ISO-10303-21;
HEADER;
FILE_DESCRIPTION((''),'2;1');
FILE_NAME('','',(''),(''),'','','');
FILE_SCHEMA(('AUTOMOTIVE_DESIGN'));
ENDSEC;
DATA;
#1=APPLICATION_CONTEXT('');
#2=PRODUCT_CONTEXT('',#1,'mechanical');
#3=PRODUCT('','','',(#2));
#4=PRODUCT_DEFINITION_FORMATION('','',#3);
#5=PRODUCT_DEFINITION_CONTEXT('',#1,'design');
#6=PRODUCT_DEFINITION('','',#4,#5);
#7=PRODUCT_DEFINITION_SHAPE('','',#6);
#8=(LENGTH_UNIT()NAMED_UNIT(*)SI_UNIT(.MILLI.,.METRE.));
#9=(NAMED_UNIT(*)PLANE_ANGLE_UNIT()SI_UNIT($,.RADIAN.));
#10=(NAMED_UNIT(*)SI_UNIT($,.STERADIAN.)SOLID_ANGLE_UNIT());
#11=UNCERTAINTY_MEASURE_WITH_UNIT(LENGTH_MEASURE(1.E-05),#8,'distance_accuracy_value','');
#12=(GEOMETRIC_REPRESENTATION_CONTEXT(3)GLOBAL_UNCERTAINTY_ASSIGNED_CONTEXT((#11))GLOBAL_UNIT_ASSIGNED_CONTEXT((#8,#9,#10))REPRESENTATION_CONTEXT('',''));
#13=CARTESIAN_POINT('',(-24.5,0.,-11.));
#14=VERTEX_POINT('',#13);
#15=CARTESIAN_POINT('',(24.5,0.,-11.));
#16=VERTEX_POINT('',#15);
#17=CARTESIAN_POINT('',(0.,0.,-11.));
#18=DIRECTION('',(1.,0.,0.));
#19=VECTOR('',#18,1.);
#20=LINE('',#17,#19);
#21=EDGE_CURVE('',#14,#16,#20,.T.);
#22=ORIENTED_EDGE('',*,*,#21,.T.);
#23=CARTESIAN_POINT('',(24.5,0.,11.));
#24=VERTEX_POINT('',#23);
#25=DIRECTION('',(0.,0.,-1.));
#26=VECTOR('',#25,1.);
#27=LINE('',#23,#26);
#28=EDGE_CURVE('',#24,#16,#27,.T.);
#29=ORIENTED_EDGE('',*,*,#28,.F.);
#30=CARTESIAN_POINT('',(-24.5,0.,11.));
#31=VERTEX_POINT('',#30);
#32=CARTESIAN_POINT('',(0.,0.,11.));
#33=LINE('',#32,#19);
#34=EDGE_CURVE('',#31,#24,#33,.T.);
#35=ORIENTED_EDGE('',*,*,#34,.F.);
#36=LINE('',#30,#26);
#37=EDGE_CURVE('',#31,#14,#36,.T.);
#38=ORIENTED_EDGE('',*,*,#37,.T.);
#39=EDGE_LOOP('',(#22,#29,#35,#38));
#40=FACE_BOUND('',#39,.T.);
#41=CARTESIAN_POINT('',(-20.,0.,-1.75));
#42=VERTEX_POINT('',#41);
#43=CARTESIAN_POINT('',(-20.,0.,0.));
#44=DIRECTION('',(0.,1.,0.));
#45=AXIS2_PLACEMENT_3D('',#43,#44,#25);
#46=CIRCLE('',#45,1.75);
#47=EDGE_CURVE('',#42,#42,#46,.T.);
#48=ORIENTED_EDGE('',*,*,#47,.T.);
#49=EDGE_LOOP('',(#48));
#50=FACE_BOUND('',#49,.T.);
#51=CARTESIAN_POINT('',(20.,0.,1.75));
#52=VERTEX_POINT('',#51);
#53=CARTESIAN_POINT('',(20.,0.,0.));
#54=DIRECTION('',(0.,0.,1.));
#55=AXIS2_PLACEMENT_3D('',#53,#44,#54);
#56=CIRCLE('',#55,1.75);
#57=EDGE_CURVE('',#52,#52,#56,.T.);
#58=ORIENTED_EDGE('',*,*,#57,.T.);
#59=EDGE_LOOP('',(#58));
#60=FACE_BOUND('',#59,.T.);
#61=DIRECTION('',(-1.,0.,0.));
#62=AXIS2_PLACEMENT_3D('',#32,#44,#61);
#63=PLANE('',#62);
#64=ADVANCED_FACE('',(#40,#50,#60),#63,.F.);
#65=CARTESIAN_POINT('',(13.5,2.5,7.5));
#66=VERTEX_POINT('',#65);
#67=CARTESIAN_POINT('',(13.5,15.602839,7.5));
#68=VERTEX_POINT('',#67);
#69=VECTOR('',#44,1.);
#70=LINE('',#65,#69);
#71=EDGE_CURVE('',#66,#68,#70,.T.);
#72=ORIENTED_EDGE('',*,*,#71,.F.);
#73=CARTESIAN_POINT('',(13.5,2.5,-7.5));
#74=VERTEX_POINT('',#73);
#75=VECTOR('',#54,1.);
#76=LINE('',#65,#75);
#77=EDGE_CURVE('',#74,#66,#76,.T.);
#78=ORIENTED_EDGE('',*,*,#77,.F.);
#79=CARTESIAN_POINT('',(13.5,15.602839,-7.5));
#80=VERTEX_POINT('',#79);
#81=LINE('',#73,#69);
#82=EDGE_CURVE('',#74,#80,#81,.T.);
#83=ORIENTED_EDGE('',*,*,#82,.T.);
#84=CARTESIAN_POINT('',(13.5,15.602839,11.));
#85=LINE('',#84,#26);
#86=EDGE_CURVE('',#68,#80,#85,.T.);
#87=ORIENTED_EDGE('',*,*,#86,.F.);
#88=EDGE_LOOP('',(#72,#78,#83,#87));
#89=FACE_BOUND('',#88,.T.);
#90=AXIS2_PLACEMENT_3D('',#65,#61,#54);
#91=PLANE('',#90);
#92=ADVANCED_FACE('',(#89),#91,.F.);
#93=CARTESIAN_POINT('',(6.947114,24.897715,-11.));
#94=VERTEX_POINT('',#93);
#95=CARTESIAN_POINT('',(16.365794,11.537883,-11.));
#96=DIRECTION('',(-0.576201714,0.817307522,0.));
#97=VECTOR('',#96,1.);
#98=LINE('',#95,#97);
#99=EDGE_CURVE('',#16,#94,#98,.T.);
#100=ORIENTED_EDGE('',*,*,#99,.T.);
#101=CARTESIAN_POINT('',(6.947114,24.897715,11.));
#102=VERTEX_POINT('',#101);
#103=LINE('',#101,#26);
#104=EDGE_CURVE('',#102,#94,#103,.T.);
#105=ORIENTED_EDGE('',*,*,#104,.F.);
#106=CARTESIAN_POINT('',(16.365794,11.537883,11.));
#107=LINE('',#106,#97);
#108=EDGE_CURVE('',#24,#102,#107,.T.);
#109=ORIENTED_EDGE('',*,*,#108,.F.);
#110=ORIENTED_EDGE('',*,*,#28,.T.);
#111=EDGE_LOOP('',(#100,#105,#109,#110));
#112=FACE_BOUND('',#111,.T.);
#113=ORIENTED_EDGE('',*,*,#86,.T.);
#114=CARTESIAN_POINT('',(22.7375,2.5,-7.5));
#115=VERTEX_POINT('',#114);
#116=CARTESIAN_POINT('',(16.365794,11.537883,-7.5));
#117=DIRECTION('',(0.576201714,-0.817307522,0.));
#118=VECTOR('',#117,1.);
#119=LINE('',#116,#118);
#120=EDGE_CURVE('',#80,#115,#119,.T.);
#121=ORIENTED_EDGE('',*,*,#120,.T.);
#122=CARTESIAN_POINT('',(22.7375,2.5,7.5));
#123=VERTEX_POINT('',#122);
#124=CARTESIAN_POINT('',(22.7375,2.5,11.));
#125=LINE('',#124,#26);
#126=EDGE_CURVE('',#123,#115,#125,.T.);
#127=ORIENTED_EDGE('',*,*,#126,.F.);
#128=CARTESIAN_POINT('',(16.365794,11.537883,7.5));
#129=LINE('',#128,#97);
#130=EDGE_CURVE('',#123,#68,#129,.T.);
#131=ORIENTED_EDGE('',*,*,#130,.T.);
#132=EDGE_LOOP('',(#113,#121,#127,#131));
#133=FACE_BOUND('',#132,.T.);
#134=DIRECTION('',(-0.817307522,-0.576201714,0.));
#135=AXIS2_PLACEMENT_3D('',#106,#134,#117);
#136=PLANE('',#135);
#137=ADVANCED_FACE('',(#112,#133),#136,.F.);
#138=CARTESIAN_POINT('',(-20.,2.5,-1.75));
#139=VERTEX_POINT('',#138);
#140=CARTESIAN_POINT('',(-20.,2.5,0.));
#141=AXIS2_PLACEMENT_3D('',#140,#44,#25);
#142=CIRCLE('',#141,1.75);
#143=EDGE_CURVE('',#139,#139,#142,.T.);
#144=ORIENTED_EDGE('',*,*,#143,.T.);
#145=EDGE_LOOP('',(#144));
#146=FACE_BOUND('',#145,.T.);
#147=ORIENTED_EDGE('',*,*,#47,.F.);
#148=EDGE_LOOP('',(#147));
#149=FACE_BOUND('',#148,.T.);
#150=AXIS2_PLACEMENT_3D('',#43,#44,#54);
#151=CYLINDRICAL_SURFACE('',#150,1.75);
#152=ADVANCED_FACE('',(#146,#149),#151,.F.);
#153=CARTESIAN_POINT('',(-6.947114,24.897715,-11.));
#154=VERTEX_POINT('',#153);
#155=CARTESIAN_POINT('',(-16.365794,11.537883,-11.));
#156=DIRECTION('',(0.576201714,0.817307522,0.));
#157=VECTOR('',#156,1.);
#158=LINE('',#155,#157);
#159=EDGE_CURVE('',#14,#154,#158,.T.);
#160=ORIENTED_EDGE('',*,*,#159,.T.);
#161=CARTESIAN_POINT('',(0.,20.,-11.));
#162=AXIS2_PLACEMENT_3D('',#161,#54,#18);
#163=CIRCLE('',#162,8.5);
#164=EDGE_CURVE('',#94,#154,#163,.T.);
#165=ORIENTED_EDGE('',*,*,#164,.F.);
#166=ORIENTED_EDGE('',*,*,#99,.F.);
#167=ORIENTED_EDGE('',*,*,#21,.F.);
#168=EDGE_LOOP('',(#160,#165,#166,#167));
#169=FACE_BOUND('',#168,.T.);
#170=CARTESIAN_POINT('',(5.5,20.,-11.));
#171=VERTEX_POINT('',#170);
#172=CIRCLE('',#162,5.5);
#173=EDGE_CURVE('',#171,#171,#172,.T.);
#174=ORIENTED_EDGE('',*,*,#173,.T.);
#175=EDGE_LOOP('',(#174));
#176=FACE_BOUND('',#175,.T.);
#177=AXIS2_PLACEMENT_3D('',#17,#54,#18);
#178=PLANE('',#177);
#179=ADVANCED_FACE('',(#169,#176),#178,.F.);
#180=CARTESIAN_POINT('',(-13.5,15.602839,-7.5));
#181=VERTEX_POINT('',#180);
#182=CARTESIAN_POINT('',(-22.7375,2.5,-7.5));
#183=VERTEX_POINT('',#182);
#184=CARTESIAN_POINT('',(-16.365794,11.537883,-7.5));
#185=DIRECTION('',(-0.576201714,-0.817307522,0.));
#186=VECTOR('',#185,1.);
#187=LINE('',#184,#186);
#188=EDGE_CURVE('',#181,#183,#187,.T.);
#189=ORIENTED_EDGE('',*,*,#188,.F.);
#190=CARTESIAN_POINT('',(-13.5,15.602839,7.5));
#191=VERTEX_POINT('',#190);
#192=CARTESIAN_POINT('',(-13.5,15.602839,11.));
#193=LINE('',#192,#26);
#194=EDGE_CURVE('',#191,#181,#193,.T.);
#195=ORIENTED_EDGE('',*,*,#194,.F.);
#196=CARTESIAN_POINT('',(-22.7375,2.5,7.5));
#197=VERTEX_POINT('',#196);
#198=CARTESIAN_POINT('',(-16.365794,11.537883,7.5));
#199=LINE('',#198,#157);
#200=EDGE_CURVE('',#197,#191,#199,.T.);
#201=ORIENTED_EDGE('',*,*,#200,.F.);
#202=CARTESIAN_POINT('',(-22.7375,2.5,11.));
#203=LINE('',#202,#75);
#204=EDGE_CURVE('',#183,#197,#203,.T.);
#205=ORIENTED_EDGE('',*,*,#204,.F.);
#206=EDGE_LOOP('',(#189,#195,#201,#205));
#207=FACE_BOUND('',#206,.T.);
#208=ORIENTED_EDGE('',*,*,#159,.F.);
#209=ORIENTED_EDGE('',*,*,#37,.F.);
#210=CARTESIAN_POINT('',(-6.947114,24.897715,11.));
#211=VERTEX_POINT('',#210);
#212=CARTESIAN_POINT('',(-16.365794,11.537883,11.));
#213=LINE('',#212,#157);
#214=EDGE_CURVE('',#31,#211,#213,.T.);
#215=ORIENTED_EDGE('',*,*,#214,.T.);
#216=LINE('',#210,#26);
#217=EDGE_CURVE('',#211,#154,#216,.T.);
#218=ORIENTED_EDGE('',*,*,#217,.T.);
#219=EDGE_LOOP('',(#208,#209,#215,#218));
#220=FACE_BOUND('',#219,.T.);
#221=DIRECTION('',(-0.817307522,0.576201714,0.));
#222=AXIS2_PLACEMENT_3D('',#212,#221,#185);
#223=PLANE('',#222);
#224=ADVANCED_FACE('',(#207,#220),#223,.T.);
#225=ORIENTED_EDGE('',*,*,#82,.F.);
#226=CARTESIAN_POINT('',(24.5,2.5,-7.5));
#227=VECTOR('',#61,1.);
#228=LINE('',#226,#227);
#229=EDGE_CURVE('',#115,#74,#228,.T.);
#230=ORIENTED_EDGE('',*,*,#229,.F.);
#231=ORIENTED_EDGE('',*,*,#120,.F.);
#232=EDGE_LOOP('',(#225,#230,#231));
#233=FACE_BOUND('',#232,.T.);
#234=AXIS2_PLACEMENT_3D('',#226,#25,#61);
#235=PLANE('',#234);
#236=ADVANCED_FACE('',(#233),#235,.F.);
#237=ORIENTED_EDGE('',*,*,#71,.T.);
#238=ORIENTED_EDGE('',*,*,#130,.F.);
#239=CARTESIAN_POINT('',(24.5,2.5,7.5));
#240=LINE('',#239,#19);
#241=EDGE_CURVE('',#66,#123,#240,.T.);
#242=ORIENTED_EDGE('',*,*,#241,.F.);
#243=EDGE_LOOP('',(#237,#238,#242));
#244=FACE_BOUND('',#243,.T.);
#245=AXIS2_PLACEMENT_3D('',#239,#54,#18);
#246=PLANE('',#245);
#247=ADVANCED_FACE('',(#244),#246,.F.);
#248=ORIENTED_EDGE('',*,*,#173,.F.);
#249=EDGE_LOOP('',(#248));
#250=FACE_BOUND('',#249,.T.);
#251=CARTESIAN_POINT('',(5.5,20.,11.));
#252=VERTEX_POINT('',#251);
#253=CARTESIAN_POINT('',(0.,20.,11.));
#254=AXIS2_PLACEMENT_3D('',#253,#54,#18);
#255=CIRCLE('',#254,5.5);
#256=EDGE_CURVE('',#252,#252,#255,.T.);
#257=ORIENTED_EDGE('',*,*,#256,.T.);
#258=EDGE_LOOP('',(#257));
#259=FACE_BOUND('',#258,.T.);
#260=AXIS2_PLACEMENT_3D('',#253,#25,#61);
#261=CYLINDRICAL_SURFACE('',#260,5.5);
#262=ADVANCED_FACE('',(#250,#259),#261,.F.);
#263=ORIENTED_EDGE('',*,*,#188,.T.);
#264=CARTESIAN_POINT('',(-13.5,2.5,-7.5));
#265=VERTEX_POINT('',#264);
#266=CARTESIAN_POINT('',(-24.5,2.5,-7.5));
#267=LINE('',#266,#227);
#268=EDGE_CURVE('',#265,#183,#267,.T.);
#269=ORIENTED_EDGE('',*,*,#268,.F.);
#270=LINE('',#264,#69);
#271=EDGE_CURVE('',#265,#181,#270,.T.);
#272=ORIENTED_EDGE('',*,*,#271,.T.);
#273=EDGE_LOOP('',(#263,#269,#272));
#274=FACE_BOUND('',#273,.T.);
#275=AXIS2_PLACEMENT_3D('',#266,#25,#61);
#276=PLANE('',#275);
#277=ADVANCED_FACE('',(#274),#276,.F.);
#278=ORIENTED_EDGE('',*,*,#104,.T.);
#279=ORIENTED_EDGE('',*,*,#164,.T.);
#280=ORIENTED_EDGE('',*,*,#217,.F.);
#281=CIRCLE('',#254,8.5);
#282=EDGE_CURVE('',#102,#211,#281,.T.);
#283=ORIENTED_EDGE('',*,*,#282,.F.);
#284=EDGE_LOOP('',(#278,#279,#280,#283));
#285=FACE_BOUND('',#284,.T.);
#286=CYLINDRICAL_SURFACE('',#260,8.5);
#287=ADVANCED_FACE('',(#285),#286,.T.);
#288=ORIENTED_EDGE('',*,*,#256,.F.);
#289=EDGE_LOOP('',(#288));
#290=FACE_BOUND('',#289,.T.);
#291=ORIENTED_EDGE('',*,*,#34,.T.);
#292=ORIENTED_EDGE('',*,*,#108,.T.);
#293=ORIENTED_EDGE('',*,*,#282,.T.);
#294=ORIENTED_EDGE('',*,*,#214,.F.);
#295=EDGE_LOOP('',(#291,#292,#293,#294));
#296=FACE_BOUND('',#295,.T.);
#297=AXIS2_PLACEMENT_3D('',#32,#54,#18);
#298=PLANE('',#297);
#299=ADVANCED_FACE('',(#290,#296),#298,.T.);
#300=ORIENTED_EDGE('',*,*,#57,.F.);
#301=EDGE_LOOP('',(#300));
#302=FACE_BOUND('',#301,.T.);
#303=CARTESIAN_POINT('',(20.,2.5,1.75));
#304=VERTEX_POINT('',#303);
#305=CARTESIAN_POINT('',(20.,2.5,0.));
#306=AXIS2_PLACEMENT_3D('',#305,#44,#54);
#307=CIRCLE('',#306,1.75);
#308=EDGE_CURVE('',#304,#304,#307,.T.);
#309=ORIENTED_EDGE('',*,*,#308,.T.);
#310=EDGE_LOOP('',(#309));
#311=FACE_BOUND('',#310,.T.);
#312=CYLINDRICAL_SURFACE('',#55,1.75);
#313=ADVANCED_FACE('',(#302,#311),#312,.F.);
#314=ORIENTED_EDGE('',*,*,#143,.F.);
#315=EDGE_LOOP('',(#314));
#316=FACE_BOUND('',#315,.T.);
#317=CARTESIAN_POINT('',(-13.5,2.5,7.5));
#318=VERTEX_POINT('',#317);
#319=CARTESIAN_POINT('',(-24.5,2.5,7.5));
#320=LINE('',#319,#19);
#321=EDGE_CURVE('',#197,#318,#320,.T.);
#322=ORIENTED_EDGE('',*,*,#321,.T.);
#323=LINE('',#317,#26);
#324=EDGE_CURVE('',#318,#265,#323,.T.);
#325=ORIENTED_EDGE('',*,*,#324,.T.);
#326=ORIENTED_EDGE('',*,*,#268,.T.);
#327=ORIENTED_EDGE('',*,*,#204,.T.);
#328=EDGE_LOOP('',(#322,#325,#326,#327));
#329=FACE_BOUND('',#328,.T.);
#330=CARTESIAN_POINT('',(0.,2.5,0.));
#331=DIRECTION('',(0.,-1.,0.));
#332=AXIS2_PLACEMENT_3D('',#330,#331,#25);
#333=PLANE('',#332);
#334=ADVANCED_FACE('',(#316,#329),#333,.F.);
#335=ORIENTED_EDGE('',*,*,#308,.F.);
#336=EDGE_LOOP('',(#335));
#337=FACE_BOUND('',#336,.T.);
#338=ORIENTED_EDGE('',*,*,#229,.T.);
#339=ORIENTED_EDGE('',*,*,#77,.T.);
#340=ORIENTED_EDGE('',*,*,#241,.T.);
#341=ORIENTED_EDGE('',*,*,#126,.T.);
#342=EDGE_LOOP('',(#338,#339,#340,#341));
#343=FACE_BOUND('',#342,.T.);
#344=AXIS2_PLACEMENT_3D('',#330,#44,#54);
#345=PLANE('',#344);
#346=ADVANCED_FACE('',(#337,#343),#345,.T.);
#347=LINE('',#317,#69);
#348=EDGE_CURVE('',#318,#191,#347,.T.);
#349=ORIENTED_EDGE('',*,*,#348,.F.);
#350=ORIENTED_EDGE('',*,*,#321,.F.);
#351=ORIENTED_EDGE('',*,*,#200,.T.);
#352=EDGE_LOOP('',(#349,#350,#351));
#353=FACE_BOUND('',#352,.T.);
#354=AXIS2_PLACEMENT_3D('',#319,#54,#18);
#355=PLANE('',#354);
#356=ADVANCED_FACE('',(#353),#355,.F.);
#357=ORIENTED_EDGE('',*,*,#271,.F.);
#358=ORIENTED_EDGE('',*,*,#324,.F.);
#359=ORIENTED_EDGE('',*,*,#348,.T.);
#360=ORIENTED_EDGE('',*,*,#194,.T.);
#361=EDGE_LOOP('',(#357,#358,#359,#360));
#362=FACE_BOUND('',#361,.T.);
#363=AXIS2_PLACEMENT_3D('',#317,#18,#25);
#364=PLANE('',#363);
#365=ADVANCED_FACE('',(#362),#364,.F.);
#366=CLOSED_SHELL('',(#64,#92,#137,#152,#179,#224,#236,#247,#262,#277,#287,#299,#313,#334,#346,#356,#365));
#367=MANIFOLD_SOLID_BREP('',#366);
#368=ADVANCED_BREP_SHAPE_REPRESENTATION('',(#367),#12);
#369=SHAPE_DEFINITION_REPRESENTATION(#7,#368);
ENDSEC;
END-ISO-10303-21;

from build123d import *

# Parameters (mm, degrees)
SKETCH1_R               = 5.5
BLOCO_DEPTH             = 11
SKETCH2_W               = 11
SKETCH2_H               = 15
RASGOS_LATERAIS_DEPTH   = 26
SKETCH3_R               = 1.75
FUROS_DE_FIXA_O_4_DEPTH = 38.379807383


with BuildPart() as part:
    # Sketch1 → Bloco (new, symmetric)
    with BuildSketch(Plane.XY):
        with BuildLine():
            Line((-6.947113934, 24.897714569), (-24.5, 0))
            Line((-24.5, 0), (24.5, 0))
            Line((24.5, 0), (6.947113934, 24.897714569))
            ThreePointArc((6.947113934, 24.897714569), (0, 28.5), (-6.947113934, 24.897714569))
        make_face()
        with Locations((0, 20)):
            Circle(SKETCH1_R, mode=Mode.SUBTRACT)
    extrude(amount=BLOCO_DEPTH, both=True)

    # Sketch2 → Rasgos Laterais (cut)
    with BuildSketch(Plane(origin=(0, 28.5, 0), x_dir=(1, 0, 0), z_dir=(0, 1, 0))):
        with Locations((19, 0)):
            Rectangle(SKETCH2_W, SKETCH2_H)
        with Locations((-19, 0)):
            Rectangle(SKETCH2_W, SKETCH2_H)
    extrude(amount=-RASGOS_LATERAIS_DEPTH, mode=Mode.SUBTRACT)

    # Sketch3 → Furos de Fixação Ø4 (cut, through all)
    with BuildSketch(Plane(origin=(0, 2.5, 0), x_dir=(1, 0, 0), z_dir=(0, 1, 0))):
        with Locations(Location((20, 0, 0), (0, 0, 270))):
            Circle(SKETCH3_R)
        with Locations(Location((-20, 0, 0), (0, 0, 90))):
            Circle(SKETCH3_R)
    extrude(amount=-FUROS_DE_FIXA_O_4_DEPTH, mode=Mode.SUBTRACT)


solid = part.part
